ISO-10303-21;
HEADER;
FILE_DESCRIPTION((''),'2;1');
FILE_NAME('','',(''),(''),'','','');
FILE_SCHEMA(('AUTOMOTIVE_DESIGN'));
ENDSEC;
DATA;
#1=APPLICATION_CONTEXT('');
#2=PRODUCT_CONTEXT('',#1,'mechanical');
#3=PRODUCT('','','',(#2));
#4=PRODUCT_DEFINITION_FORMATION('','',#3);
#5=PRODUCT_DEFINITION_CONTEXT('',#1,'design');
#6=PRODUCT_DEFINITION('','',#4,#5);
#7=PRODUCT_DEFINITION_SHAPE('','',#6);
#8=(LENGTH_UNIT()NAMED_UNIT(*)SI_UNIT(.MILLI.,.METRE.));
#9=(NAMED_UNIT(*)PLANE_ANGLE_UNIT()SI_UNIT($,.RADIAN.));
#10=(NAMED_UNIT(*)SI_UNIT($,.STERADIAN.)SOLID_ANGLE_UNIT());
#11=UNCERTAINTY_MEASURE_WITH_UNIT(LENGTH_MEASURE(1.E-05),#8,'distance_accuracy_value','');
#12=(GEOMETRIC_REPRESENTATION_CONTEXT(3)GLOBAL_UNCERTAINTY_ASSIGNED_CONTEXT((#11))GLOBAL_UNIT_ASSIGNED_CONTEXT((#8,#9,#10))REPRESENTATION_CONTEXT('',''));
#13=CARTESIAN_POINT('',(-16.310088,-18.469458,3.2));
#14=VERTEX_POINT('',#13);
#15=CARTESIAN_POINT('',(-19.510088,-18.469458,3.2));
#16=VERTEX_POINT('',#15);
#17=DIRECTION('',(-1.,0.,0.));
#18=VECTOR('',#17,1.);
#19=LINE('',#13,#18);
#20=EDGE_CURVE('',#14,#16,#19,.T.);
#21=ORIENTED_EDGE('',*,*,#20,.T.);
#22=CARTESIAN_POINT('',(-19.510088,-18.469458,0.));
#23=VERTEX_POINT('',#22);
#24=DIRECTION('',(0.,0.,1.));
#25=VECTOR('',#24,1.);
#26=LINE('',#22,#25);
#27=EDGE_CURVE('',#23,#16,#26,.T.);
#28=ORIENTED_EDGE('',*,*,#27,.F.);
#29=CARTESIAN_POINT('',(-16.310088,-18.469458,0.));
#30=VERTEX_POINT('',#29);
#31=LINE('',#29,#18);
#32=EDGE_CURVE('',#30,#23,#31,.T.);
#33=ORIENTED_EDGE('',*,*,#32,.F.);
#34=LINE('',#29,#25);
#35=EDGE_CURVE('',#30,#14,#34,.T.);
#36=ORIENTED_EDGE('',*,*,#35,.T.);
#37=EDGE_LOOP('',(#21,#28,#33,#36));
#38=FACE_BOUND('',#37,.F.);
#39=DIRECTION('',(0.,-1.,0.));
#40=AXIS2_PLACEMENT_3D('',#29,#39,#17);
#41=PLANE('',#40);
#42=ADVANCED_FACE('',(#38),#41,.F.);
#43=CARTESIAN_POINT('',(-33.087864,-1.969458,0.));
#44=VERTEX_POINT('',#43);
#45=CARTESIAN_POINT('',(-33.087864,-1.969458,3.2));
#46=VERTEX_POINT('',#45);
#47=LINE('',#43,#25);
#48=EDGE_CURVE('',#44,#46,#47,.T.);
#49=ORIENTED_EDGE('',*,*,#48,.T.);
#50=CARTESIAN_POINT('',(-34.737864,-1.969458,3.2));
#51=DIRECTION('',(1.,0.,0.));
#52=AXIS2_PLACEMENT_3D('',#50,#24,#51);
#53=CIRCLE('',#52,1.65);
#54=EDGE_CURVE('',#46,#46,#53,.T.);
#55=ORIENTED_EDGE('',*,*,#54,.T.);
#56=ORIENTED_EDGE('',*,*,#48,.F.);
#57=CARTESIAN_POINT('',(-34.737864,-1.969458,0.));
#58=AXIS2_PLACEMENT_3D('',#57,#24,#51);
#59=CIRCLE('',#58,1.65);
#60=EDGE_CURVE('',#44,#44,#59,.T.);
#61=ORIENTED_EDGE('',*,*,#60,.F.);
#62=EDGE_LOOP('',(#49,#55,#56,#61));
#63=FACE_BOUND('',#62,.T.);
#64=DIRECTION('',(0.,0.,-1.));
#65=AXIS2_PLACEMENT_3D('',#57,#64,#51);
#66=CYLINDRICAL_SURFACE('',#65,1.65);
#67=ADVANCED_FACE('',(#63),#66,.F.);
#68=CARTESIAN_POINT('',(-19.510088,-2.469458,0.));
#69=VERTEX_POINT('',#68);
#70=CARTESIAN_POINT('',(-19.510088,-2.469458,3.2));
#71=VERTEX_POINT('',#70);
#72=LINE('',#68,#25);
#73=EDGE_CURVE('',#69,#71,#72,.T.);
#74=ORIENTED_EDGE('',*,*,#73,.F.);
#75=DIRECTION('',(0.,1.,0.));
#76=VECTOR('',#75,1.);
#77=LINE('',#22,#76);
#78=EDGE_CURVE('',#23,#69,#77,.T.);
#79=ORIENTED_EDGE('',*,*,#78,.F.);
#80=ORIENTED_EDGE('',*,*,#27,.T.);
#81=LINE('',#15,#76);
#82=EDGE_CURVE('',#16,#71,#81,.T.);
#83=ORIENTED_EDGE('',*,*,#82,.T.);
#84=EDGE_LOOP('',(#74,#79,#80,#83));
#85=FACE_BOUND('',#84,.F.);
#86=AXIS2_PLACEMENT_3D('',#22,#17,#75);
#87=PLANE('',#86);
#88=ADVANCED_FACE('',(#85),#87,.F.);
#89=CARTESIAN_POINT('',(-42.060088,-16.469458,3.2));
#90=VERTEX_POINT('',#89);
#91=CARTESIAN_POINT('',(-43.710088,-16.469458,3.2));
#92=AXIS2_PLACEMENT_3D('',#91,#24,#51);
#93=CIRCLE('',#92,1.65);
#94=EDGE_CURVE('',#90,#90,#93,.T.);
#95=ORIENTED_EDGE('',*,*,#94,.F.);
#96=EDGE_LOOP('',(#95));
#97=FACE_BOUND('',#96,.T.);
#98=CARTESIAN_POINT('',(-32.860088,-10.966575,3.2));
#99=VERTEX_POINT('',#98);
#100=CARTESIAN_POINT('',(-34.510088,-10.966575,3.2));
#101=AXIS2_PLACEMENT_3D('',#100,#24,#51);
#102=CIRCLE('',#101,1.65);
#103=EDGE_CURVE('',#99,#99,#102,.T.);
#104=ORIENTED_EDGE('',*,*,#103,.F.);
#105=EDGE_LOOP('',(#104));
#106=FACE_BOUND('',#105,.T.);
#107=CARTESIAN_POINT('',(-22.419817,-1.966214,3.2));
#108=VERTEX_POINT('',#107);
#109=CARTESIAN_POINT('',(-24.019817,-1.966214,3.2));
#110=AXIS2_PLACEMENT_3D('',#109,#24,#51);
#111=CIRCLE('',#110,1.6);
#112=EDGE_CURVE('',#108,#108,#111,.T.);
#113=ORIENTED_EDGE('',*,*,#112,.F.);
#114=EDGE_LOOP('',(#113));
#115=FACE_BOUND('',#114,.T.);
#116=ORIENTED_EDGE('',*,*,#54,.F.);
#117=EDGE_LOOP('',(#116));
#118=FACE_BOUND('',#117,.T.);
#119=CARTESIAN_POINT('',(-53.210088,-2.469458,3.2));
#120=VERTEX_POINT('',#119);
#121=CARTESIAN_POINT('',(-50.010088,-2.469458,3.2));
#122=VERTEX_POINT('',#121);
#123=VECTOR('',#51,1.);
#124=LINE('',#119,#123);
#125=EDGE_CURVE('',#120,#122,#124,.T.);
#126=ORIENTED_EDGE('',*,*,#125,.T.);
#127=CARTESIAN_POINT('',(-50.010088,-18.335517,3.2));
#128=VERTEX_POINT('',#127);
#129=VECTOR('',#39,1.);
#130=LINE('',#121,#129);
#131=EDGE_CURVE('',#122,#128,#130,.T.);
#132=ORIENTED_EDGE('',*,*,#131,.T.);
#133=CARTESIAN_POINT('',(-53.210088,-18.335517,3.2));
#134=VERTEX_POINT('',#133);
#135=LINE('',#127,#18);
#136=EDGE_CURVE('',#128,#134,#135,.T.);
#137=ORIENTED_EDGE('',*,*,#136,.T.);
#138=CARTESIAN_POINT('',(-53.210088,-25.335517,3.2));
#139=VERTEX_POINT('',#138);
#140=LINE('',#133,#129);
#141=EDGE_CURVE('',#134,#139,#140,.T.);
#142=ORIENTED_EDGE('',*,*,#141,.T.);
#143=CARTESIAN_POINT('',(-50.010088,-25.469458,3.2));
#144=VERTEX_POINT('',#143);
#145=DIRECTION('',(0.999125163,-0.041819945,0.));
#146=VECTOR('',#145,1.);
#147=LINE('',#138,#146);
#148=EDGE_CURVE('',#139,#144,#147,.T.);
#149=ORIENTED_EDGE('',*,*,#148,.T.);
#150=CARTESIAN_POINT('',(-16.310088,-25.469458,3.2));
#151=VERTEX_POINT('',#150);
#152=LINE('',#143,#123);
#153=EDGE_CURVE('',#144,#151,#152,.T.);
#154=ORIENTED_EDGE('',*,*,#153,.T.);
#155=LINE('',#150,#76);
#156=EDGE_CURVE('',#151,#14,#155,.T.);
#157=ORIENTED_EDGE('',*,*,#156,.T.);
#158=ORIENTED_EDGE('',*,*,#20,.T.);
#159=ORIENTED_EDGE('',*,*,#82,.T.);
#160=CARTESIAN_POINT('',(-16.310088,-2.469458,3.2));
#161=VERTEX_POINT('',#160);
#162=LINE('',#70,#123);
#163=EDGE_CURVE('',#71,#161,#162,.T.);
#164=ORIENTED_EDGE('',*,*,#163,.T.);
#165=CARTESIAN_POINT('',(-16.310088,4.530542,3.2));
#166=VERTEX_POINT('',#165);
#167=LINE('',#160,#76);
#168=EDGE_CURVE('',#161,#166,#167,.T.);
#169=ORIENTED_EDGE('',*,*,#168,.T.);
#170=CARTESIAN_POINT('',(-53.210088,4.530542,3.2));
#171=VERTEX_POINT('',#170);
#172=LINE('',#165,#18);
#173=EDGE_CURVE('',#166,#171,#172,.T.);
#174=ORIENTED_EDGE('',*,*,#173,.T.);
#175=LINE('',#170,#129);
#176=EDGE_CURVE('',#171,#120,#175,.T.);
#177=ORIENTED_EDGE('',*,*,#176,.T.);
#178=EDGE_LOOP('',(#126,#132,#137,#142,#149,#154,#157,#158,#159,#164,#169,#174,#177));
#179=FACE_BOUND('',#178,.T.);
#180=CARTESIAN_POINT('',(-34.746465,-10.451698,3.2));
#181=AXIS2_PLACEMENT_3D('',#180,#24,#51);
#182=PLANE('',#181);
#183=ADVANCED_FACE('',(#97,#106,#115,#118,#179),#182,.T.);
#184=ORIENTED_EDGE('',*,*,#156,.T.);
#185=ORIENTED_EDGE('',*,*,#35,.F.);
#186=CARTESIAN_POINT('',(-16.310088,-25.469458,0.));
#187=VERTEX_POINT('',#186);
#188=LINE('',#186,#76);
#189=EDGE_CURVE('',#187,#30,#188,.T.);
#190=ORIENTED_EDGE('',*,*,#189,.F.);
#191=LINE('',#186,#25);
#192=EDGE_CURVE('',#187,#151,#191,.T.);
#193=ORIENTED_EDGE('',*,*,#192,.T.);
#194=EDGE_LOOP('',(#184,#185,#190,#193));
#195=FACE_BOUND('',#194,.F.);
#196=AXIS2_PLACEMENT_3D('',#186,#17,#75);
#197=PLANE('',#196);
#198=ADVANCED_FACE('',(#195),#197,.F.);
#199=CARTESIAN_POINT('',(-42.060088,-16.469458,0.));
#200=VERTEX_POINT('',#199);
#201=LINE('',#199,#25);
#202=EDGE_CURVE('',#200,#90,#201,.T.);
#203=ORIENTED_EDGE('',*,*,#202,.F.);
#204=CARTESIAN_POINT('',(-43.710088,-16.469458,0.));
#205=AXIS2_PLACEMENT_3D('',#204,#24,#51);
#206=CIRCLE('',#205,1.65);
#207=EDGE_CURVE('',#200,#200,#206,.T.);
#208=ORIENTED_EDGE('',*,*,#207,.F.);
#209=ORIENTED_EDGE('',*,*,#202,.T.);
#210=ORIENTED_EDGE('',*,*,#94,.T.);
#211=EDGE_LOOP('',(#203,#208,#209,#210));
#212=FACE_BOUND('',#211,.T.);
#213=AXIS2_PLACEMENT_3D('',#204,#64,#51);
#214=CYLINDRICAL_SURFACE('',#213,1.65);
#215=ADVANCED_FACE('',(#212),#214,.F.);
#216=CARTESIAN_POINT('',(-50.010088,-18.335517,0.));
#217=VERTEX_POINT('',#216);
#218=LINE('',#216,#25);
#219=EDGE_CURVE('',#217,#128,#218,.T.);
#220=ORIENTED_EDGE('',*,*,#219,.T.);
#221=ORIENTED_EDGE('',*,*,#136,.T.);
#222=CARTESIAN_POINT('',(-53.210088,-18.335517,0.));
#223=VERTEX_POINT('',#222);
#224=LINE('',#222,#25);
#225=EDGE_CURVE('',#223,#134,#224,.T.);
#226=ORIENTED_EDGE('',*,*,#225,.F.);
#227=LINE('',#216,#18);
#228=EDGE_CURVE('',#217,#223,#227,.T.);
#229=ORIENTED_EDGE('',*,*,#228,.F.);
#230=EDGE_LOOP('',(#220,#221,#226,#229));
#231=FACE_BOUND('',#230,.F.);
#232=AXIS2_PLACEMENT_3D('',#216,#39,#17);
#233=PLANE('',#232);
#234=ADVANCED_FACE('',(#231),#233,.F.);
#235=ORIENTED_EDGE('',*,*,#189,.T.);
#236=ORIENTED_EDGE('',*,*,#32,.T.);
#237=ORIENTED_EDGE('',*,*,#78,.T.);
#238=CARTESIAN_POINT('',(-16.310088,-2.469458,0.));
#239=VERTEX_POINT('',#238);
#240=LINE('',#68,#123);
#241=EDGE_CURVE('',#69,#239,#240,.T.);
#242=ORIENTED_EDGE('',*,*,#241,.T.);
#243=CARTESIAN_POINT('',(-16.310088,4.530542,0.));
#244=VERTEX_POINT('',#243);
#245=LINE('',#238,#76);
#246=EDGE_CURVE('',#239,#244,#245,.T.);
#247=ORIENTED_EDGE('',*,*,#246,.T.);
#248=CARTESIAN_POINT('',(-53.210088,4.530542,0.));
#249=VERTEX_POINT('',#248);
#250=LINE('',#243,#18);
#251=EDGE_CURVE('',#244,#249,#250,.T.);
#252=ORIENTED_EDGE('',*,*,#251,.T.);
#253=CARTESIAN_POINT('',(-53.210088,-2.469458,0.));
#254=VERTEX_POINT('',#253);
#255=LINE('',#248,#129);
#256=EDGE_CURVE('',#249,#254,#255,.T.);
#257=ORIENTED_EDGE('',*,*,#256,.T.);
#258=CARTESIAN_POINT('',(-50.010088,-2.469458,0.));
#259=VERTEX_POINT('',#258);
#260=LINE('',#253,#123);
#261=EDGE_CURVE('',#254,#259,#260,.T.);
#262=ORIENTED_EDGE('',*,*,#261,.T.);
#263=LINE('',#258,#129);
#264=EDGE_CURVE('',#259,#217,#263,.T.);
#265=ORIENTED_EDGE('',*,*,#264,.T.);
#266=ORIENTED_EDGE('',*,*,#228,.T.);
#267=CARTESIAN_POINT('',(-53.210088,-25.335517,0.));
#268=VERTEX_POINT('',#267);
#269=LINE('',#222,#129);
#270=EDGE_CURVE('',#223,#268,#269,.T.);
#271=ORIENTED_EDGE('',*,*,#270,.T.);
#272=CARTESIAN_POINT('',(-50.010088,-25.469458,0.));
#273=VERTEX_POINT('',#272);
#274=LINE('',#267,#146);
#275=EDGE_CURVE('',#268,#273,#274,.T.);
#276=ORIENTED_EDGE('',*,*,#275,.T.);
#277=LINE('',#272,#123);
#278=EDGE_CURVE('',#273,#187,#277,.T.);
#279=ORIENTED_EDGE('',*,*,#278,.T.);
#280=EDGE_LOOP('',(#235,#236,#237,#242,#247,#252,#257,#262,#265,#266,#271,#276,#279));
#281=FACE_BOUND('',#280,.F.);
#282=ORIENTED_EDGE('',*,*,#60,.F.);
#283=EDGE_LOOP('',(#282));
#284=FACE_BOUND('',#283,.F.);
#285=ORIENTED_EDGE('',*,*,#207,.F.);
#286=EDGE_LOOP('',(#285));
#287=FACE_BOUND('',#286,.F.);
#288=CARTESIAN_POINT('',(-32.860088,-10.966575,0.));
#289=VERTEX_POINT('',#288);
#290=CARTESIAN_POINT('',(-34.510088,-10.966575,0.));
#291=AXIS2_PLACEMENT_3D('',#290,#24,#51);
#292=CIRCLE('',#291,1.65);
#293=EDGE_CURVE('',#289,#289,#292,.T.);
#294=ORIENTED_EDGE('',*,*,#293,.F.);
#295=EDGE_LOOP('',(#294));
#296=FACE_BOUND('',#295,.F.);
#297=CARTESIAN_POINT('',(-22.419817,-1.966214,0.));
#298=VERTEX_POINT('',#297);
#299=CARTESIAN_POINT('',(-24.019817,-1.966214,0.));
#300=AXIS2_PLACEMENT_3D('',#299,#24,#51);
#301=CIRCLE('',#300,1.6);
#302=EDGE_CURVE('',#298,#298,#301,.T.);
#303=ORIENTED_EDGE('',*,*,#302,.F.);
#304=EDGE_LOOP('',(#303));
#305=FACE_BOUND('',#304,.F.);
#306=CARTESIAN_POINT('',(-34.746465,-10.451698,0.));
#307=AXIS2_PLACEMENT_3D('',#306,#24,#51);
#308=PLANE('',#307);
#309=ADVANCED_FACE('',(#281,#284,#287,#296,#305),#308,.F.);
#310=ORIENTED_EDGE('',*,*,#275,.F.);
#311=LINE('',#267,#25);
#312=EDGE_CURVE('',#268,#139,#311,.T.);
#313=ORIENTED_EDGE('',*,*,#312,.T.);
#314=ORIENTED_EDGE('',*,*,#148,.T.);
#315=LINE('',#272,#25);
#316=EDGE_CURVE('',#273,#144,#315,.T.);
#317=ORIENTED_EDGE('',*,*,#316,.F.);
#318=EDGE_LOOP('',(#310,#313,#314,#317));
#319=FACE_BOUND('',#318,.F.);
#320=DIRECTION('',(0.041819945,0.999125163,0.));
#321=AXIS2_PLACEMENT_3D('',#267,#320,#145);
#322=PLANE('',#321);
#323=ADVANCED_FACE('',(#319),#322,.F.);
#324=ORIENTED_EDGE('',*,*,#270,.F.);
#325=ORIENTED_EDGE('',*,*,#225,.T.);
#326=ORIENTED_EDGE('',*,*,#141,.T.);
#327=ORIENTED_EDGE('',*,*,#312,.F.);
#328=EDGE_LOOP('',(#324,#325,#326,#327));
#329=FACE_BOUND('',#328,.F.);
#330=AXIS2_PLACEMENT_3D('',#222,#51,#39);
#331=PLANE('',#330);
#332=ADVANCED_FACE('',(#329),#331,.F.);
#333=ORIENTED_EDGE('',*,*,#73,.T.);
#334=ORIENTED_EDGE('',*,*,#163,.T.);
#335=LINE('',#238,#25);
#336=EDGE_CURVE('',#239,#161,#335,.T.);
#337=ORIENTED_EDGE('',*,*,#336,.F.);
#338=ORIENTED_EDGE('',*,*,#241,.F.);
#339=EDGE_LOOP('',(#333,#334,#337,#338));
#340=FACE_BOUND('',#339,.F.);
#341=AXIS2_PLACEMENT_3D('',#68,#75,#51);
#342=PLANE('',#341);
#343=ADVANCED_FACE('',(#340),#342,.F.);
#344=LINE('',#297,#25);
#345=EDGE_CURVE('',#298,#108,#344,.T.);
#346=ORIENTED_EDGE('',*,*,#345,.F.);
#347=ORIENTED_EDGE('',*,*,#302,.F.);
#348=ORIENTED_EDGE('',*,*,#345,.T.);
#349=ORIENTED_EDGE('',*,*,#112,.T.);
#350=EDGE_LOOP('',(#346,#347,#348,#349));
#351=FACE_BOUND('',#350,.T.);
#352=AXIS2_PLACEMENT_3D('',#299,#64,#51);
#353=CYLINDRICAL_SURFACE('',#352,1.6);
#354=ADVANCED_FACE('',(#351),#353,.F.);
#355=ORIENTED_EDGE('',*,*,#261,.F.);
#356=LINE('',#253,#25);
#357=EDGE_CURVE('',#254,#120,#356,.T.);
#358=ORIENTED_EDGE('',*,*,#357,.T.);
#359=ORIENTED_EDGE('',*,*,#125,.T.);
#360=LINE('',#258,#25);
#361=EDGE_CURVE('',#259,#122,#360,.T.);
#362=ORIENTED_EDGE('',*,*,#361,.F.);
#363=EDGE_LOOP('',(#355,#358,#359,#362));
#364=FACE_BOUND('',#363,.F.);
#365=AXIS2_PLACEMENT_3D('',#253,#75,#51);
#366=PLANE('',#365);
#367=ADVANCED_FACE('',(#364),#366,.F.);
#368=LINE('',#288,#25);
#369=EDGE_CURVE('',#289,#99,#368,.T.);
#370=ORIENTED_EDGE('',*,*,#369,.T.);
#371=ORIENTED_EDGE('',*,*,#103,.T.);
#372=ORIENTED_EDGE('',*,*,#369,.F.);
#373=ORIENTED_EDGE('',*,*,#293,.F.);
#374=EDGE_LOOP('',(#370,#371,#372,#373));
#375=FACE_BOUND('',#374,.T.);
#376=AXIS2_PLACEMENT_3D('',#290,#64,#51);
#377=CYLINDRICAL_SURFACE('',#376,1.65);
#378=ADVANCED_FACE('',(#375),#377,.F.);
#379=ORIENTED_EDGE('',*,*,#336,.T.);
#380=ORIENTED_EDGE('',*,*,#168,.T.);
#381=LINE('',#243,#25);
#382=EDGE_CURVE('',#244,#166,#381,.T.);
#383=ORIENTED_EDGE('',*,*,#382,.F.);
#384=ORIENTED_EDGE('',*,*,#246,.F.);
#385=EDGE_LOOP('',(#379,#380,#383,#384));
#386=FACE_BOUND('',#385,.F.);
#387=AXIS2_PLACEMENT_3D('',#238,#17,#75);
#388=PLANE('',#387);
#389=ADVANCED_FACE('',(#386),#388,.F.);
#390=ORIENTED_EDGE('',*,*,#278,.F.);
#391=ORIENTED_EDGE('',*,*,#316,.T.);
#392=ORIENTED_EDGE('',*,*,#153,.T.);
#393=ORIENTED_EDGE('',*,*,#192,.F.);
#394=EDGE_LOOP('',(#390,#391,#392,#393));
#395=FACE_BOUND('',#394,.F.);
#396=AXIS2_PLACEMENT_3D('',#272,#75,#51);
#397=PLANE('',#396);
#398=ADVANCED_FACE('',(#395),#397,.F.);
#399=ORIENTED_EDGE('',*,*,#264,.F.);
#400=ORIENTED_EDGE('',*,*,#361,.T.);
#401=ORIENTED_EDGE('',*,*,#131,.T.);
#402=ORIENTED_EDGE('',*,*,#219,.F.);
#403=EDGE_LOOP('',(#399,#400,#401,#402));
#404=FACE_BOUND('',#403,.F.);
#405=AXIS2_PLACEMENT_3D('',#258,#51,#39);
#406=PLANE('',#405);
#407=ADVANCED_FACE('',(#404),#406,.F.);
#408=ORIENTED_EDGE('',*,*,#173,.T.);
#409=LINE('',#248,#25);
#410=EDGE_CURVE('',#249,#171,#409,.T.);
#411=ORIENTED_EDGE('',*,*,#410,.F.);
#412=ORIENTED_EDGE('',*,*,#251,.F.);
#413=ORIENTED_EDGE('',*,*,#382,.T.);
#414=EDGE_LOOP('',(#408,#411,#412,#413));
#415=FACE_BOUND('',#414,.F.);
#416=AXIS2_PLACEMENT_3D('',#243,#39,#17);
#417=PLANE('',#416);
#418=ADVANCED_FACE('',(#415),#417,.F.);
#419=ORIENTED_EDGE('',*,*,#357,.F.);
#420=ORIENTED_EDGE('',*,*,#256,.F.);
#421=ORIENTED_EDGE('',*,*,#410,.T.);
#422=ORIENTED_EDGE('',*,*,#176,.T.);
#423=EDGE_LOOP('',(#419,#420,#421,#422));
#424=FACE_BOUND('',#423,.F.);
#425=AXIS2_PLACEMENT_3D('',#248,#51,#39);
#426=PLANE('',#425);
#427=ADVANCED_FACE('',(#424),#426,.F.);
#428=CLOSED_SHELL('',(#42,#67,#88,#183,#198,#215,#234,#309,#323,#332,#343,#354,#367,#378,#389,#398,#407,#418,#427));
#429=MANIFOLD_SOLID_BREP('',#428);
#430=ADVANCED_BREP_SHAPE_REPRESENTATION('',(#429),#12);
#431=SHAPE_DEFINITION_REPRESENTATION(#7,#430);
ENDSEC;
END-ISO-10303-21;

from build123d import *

# Parameters (mm, degrees)
F0_R     = 1.65
F0_R_2   = 1.6
F1_DEPTH = 3.2


with BuildPart() as f1:
    # F0 (on Top) → F1 (new body)
    with BuildSketch(Plane.XY):
        Polygon((-19.510088, 4.530542), (-50.010088, 4.530542), (-53.210088, 4.530542), (-53.210088, -2.469458), (-50.010088, -2.469458), (-50.010088, -18.335517), (-53.210088, -18.335517), (-53.210088, -25.335517), (-50.010088, -25.469458), (-19.510088, -25.469458), (-16.310088, -25.469458), (-16.310088, -18.469458), (-19.510088, -18.469458), (-19.510088, -2.469458), (-16.310088, -2.469458), (-16.310088, 4.530542), align=None)
        with Locations((-43.710088, -16.469458)):
            Circle(F0_R, mode=Mode.SUBTRACT)
        with Locations((-34.510088, -10.966575)):
            Circle(F0_R, mode=Mode.SUBTRACT)
        with Locations((-34.737864, -1.969458)):
            Circle(F0_R, mode=Mode.SUBTRACT)
        with Locations((-24.019817, -1.966214)):
            Circle(F0_R_2, mode=Mode.SUBTRACT)
    extrude(amount=F1_DEPTH)


solid = f1.part
